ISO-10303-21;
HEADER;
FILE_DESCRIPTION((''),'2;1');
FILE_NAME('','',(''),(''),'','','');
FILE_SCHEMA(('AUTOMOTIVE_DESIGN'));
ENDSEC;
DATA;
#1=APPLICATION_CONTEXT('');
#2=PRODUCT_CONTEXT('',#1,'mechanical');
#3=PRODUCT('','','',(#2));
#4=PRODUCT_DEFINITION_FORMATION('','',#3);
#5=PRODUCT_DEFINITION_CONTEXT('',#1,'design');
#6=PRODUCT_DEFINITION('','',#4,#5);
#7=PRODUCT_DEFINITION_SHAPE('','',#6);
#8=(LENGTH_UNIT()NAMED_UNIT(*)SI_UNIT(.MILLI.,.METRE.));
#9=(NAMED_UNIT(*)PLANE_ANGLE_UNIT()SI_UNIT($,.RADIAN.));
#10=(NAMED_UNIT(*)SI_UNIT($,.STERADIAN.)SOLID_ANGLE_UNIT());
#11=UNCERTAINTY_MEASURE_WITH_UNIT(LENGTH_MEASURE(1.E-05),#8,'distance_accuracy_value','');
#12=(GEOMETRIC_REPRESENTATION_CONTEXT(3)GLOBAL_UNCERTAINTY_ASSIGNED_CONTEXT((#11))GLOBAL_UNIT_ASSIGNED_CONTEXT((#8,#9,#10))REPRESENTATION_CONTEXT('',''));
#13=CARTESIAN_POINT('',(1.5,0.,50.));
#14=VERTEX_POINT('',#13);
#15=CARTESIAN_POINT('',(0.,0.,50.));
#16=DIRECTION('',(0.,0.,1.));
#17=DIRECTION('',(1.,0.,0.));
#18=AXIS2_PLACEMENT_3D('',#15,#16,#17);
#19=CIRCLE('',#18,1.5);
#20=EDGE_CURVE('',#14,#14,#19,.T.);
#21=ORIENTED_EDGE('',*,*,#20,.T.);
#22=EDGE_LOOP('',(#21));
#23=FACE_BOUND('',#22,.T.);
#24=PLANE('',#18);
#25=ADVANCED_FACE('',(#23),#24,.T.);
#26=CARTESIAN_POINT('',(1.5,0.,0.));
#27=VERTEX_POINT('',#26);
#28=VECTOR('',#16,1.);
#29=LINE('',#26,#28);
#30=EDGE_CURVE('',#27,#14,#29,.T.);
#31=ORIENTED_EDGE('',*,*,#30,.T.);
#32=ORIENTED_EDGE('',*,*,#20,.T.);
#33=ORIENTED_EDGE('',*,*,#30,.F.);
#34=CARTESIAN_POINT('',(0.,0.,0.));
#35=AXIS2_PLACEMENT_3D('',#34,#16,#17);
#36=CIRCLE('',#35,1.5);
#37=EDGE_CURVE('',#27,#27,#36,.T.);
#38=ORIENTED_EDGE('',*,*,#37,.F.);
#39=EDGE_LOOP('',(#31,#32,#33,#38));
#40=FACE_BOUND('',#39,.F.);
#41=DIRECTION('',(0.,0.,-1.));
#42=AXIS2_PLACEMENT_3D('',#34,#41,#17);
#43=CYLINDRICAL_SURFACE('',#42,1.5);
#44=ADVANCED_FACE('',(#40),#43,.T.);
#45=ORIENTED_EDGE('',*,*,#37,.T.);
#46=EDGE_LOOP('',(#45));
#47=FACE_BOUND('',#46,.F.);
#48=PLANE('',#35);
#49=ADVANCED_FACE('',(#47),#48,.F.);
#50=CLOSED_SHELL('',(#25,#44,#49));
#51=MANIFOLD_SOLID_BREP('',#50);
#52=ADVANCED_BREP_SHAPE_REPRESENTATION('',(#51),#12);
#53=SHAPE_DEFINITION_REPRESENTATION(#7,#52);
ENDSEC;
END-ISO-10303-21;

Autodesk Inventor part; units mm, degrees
ref_plane "YZ Plane" through (0, 0, 0) normal (1, 0, 0) x (0, 1, 0)
ref_plane "XZ Plane" through (0, 0, 0) normal (0, 1, 0) x (-1, 0, 0)
ref_plane "XY Plane" through (0, 0, 0) normal (0, 0, 1) x (1, 0, 0)
sketch "スケッチ1" plane through (0, 0, 0) normal (0, 0, 1) x (1, 0, 0)
  circle A0 centre (0, 0) radius 1.5
  dimension "d0" = 3
extrude "押し出し1" add sketch "スケッチ1" along normal blind 50
properties part number "レール固定"
